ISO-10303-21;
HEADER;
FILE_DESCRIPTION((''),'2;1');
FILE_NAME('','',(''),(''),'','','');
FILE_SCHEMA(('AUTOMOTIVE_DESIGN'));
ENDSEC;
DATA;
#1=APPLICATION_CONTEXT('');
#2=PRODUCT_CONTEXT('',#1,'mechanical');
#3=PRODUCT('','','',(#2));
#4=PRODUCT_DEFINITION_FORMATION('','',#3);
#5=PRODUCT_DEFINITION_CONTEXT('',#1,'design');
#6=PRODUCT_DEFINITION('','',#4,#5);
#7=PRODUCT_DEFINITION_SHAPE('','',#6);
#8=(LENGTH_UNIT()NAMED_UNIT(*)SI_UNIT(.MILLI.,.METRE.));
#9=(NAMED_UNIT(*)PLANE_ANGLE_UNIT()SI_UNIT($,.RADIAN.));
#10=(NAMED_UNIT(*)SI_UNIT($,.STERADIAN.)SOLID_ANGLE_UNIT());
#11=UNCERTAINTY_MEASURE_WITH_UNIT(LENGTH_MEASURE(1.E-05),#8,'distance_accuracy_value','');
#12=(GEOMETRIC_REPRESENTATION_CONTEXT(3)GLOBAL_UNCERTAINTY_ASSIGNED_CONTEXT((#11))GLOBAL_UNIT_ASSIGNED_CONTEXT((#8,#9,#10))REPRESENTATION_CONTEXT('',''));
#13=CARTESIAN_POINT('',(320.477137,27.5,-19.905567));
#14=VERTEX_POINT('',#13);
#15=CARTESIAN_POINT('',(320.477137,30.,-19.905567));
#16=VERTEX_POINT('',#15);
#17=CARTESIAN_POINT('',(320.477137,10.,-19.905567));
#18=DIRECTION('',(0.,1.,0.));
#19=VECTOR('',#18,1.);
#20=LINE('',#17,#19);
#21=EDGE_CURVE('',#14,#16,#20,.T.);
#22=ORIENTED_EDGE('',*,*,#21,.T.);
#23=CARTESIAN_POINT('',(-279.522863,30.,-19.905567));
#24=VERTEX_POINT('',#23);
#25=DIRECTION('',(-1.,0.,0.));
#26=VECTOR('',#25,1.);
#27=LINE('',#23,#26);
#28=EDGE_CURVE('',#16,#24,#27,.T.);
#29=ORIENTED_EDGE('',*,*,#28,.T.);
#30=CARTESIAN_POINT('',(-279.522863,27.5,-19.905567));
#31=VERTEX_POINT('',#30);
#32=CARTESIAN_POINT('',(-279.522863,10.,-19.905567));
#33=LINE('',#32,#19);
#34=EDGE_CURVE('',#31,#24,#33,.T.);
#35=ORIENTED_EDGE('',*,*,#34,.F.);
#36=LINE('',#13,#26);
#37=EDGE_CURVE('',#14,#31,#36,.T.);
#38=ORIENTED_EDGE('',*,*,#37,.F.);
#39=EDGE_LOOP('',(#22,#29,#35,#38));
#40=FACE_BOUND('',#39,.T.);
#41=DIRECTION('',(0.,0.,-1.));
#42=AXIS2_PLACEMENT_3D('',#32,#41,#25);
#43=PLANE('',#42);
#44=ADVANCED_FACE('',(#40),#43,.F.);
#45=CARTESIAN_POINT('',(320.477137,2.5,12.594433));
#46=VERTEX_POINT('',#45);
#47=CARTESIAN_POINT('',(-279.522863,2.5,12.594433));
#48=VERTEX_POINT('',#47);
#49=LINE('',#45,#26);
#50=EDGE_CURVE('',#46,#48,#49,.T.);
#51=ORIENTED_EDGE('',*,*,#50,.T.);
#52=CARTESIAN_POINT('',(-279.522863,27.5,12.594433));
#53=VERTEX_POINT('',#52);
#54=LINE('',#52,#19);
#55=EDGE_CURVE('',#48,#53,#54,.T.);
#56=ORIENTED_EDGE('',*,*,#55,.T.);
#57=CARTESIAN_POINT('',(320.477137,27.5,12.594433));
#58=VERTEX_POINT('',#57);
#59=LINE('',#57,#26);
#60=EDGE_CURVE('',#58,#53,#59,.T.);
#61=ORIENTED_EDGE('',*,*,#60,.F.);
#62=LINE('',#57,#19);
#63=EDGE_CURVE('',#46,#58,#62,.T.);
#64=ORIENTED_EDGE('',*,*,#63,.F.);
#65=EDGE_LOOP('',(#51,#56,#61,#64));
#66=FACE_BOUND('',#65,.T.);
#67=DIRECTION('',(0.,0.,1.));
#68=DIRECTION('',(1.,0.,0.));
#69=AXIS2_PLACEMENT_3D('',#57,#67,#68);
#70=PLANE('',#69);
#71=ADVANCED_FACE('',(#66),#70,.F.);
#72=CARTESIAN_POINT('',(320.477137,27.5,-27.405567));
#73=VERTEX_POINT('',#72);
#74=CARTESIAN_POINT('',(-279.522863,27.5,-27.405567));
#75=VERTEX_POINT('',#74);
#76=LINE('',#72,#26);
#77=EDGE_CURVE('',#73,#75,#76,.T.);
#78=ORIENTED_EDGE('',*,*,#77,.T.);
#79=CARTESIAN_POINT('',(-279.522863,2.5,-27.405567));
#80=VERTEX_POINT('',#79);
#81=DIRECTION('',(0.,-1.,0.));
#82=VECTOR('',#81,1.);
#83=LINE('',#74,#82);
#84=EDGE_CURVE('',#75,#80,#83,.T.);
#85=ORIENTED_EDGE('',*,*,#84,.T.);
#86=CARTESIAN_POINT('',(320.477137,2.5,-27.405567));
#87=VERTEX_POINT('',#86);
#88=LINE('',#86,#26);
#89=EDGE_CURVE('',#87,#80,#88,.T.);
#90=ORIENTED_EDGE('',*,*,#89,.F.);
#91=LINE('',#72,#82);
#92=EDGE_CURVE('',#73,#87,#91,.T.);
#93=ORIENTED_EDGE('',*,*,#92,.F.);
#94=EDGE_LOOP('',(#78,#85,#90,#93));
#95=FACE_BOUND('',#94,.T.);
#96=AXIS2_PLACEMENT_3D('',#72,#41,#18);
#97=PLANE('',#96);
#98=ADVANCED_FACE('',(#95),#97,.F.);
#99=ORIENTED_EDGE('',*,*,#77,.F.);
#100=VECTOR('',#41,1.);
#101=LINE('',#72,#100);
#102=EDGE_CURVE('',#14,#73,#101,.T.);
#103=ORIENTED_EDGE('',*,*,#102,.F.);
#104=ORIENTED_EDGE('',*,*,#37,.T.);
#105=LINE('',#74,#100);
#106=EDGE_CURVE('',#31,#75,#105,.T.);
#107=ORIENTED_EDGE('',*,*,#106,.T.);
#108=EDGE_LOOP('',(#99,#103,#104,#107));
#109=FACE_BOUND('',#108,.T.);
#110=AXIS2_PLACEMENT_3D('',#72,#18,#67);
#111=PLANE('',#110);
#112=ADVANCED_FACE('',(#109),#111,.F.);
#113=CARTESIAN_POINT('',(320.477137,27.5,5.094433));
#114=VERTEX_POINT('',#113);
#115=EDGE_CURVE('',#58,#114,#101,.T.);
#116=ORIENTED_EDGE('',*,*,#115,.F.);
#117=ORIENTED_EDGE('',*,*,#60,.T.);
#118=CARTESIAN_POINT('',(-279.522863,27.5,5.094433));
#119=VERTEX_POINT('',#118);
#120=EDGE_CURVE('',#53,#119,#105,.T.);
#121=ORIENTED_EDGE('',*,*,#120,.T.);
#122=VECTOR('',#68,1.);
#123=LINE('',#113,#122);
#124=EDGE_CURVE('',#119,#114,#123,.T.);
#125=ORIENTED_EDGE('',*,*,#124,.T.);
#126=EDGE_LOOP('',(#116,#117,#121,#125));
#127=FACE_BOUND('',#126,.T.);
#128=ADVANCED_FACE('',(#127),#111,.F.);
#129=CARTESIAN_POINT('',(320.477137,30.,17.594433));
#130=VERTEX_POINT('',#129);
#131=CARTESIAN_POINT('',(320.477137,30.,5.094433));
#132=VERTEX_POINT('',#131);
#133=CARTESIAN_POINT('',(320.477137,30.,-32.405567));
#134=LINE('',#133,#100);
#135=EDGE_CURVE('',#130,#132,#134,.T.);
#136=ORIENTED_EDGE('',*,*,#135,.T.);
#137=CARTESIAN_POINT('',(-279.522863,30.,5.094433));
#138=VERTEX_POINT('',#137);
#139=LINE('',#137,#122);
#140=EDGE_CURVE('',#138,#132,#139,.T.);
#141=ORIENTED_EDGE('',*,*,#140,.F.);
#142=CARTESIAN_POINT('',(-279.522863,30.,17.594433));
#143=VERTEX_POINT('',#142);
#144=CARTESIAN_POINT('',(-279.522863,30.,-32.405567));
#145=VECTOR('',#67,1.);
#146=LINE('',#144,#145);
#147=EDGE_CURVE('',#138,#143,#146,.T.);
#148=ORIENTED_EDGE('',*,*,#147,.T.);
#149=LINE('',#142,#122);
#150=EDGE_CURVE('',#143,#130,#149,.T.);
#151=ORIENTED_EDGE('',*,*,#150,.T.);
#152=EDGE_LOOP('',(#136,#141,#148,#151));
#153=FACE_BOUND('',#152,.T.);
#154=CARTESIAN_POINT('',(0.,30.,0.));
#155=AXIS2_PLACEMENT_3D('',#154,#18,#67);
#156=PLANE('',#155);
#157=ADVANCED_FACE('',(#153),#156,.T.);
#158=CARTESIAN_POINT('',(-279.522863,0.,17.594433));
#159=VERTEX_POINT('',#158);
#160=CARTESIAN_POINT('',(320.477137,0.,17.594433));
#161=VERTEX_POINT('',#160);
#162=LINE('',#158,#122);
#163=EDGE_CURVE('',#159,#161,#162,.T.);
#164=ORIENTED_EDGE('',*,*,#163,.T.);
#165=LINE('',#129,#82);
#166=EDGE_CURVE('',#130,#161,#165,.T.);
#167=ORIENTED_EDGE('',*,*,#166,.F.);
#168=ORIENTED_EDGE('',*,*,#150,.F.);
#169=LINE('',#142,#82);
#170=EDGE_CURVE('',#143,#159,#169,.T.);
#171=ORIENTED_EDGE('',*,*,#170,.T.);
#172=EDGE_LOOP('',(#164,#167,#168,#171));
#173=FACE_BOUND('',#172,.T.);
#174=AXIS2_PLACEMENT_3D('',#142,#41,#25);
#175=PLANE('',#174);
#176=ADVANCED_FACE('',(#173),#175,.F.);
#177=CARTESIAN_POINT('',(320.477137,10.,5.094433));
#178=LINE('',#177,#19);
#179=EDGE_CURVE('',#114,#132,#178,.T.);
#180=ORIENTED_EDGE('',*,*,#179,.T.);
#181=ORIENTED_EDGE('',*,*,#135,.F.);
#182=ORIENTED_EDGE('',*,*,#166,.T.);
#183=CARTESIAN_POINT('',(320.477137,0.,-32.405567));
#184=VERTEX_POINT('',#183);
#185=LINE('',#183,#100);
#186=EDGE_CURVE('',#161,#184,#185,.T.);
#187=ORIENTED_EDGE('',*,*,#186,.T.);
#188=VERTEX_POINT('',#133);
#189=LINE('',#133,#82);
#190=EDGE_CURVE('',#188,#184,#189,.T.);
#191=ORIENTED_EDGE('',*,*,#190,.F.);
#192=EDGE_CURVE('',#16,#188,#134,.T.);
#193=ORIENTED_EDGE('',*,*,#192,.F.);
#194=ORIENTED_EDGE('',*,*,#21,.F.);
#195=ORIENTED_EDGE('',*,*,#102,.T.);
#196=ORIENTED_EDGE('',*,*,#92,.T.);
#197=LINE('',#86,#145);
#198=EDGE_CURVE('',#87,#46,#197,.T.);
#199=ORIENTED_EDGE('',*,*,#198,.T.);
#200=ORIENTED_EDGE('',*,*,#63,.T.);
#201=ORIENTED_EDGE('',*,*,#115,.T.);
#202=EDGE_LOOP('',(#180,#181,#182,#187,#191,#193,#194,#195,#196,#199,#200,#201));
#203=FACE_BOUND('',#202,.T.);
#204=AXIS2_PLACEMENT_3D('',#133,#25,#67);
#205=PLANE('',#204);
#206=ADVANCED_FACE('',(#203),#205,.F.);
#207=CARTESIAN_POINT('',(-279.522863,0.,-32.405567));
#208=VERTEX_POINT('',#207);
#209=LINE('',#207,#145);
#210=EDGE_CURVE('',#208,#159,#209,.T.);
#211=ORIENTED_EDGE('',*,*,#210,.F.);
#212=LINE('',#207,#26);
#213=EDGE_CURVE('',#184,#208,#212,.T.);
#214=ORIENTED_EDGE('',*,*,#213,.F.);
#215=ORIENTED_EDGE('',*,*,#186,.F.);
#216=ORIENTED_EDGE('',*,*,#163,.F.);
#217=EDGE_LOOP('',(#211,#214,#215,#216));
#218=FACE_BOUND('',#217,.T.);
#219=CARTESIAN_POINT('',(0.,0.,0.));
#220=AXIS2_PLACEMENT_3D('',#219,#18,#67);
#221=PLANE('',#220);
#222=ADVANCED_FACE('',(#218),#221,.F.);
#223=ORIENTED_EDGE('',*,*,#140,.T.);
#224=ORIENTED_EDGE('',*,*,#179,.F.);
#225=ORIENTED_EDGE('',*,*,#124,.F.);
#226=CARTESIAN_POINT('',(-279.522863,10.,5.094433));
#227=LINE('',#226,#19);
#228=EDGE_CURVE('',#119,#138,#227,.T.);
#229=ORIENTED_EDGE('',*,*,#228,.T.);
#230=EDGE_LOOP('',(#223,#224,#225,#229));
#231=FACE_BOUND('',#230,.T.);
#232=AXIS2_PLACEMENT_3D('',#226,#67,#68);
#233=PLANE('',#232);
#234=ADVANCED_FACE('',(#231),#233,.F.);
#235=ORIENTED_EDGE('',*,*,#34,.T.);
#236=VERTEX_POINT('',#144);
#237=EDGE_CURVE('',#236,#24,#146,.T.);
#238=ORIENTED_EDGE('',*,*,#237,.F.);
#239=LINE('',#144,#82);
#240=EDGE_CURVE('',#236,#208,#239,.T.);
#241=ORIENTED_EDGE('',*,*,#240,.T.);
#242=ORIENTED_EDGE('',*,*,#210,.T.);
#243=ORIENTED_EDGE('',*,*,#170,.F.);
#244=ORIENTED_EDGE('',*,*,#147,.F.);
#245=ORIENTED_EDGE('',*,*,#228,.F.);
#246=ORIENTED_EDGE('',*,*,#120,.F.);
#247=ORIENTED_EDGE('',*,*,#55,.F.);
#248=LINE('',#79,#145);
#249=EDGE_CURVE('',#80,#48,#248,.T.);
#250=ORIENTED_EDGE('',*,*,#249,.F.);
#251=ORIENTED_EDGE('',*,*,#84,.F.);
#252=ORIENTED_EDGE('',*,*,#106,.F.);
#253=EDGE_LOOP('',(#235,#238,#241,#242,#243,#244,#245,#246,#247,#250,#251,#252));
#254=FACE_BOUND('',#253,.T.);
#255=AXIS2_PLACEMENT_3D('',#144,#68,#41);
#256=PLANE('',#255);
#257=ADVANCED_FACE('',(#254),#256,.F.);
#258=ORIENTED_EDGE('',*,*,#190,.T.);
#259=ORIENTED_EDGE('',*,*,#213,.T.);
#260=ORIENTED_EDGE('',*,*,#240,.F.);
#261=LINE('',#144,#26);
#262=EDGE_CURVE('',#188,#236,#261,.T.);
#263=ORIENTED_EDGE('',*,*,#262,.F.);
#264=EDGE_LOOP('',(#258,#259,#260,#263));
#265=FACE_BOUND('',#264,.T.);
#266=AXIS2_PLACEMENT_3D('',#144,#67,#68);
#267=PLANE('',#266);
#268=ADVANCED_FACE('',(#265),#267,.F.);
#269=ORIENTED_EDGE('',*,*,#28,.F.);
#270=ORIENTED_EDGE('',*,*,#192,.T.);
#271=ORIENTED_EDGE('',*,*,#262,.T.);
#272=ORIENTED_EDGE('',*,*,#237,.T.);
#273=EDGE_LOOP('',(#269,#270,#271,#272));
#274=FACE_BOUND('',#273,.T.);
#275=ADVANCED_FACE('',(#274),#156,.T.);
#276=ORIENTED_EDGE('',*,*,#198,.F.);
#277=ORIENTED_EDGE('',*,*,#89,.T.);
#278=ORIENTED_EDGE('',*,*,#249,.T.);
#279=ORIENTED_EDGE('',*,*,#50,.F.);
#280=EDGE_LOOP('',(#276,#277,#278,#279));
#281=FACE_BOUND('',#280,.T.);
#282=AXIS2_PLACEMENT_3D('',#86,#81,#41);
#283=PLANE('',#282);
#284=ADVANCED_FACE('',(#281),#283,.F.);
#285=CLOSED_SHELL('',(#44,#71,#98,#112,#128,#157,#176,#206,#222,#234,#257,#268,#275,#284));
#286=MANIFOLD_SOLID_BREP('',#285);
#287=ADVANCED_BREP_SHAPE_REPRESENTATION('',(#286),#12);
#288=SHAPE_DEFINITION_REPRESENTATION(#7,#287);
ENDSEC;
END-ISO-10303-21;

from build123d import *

# Parameters (mm, degrees)
SKETCH1_W           = 600
SKETCH1_H           = 50
BOSS_EXTRUDE1_DEPTH = 30
SKETCH2_W           = 40
SKETCH2_H           = 25
CUT_EXTRUDE1_DEPTH  = 602.62290577
SKETCH3_W           = 600
SKETCH3_H           = 25
CUT_EXTRUDE2_DEPTH  = 20


with BuildPart() as part:
    # Sketch1 → Boss-Extrude1 (new body)
    with BuildSketch(Plane(origin=(0, 0, 0), x_dir=(1, 0, 0), z_dir=(0, 1, 0))):
        with Locations((20.477137177, 7.4055666)):
            Rectangle(SKETCH1_W, SKETCH1_H)
    extrude(amount=BOSS_EXTRUDE1_DEPTH)

    # Sketch2 → Cut-Extrude1 (cut, through all)
    with BuildSketch(Plane.ZY.offset(279.522862823)):
        with Locations((-7.4055666, 15)):
            Rectangle(SKETCH2_W, SKETCH2_H)
    extrude(amount=-CUT_EXTRUDE1_DEPTH, mode=Mode.SUBTRACT)

    # Sketch3 → Cut-Extrude2 (cut)
    with BuildSketch(Plane(origin=(0, 30, 0), x_dir=(1, 0, 0), z_dir=(0, 1, 0))):
        with Locations((20.477137177, 7.4055666)):
            Rectangle(SKETCH3_W, SKETCH3_H)
    extrude(amount=-CUT_EXTRUDE2_DEPTH, mode=Mode.SUBTRACT)


solid = part.part
